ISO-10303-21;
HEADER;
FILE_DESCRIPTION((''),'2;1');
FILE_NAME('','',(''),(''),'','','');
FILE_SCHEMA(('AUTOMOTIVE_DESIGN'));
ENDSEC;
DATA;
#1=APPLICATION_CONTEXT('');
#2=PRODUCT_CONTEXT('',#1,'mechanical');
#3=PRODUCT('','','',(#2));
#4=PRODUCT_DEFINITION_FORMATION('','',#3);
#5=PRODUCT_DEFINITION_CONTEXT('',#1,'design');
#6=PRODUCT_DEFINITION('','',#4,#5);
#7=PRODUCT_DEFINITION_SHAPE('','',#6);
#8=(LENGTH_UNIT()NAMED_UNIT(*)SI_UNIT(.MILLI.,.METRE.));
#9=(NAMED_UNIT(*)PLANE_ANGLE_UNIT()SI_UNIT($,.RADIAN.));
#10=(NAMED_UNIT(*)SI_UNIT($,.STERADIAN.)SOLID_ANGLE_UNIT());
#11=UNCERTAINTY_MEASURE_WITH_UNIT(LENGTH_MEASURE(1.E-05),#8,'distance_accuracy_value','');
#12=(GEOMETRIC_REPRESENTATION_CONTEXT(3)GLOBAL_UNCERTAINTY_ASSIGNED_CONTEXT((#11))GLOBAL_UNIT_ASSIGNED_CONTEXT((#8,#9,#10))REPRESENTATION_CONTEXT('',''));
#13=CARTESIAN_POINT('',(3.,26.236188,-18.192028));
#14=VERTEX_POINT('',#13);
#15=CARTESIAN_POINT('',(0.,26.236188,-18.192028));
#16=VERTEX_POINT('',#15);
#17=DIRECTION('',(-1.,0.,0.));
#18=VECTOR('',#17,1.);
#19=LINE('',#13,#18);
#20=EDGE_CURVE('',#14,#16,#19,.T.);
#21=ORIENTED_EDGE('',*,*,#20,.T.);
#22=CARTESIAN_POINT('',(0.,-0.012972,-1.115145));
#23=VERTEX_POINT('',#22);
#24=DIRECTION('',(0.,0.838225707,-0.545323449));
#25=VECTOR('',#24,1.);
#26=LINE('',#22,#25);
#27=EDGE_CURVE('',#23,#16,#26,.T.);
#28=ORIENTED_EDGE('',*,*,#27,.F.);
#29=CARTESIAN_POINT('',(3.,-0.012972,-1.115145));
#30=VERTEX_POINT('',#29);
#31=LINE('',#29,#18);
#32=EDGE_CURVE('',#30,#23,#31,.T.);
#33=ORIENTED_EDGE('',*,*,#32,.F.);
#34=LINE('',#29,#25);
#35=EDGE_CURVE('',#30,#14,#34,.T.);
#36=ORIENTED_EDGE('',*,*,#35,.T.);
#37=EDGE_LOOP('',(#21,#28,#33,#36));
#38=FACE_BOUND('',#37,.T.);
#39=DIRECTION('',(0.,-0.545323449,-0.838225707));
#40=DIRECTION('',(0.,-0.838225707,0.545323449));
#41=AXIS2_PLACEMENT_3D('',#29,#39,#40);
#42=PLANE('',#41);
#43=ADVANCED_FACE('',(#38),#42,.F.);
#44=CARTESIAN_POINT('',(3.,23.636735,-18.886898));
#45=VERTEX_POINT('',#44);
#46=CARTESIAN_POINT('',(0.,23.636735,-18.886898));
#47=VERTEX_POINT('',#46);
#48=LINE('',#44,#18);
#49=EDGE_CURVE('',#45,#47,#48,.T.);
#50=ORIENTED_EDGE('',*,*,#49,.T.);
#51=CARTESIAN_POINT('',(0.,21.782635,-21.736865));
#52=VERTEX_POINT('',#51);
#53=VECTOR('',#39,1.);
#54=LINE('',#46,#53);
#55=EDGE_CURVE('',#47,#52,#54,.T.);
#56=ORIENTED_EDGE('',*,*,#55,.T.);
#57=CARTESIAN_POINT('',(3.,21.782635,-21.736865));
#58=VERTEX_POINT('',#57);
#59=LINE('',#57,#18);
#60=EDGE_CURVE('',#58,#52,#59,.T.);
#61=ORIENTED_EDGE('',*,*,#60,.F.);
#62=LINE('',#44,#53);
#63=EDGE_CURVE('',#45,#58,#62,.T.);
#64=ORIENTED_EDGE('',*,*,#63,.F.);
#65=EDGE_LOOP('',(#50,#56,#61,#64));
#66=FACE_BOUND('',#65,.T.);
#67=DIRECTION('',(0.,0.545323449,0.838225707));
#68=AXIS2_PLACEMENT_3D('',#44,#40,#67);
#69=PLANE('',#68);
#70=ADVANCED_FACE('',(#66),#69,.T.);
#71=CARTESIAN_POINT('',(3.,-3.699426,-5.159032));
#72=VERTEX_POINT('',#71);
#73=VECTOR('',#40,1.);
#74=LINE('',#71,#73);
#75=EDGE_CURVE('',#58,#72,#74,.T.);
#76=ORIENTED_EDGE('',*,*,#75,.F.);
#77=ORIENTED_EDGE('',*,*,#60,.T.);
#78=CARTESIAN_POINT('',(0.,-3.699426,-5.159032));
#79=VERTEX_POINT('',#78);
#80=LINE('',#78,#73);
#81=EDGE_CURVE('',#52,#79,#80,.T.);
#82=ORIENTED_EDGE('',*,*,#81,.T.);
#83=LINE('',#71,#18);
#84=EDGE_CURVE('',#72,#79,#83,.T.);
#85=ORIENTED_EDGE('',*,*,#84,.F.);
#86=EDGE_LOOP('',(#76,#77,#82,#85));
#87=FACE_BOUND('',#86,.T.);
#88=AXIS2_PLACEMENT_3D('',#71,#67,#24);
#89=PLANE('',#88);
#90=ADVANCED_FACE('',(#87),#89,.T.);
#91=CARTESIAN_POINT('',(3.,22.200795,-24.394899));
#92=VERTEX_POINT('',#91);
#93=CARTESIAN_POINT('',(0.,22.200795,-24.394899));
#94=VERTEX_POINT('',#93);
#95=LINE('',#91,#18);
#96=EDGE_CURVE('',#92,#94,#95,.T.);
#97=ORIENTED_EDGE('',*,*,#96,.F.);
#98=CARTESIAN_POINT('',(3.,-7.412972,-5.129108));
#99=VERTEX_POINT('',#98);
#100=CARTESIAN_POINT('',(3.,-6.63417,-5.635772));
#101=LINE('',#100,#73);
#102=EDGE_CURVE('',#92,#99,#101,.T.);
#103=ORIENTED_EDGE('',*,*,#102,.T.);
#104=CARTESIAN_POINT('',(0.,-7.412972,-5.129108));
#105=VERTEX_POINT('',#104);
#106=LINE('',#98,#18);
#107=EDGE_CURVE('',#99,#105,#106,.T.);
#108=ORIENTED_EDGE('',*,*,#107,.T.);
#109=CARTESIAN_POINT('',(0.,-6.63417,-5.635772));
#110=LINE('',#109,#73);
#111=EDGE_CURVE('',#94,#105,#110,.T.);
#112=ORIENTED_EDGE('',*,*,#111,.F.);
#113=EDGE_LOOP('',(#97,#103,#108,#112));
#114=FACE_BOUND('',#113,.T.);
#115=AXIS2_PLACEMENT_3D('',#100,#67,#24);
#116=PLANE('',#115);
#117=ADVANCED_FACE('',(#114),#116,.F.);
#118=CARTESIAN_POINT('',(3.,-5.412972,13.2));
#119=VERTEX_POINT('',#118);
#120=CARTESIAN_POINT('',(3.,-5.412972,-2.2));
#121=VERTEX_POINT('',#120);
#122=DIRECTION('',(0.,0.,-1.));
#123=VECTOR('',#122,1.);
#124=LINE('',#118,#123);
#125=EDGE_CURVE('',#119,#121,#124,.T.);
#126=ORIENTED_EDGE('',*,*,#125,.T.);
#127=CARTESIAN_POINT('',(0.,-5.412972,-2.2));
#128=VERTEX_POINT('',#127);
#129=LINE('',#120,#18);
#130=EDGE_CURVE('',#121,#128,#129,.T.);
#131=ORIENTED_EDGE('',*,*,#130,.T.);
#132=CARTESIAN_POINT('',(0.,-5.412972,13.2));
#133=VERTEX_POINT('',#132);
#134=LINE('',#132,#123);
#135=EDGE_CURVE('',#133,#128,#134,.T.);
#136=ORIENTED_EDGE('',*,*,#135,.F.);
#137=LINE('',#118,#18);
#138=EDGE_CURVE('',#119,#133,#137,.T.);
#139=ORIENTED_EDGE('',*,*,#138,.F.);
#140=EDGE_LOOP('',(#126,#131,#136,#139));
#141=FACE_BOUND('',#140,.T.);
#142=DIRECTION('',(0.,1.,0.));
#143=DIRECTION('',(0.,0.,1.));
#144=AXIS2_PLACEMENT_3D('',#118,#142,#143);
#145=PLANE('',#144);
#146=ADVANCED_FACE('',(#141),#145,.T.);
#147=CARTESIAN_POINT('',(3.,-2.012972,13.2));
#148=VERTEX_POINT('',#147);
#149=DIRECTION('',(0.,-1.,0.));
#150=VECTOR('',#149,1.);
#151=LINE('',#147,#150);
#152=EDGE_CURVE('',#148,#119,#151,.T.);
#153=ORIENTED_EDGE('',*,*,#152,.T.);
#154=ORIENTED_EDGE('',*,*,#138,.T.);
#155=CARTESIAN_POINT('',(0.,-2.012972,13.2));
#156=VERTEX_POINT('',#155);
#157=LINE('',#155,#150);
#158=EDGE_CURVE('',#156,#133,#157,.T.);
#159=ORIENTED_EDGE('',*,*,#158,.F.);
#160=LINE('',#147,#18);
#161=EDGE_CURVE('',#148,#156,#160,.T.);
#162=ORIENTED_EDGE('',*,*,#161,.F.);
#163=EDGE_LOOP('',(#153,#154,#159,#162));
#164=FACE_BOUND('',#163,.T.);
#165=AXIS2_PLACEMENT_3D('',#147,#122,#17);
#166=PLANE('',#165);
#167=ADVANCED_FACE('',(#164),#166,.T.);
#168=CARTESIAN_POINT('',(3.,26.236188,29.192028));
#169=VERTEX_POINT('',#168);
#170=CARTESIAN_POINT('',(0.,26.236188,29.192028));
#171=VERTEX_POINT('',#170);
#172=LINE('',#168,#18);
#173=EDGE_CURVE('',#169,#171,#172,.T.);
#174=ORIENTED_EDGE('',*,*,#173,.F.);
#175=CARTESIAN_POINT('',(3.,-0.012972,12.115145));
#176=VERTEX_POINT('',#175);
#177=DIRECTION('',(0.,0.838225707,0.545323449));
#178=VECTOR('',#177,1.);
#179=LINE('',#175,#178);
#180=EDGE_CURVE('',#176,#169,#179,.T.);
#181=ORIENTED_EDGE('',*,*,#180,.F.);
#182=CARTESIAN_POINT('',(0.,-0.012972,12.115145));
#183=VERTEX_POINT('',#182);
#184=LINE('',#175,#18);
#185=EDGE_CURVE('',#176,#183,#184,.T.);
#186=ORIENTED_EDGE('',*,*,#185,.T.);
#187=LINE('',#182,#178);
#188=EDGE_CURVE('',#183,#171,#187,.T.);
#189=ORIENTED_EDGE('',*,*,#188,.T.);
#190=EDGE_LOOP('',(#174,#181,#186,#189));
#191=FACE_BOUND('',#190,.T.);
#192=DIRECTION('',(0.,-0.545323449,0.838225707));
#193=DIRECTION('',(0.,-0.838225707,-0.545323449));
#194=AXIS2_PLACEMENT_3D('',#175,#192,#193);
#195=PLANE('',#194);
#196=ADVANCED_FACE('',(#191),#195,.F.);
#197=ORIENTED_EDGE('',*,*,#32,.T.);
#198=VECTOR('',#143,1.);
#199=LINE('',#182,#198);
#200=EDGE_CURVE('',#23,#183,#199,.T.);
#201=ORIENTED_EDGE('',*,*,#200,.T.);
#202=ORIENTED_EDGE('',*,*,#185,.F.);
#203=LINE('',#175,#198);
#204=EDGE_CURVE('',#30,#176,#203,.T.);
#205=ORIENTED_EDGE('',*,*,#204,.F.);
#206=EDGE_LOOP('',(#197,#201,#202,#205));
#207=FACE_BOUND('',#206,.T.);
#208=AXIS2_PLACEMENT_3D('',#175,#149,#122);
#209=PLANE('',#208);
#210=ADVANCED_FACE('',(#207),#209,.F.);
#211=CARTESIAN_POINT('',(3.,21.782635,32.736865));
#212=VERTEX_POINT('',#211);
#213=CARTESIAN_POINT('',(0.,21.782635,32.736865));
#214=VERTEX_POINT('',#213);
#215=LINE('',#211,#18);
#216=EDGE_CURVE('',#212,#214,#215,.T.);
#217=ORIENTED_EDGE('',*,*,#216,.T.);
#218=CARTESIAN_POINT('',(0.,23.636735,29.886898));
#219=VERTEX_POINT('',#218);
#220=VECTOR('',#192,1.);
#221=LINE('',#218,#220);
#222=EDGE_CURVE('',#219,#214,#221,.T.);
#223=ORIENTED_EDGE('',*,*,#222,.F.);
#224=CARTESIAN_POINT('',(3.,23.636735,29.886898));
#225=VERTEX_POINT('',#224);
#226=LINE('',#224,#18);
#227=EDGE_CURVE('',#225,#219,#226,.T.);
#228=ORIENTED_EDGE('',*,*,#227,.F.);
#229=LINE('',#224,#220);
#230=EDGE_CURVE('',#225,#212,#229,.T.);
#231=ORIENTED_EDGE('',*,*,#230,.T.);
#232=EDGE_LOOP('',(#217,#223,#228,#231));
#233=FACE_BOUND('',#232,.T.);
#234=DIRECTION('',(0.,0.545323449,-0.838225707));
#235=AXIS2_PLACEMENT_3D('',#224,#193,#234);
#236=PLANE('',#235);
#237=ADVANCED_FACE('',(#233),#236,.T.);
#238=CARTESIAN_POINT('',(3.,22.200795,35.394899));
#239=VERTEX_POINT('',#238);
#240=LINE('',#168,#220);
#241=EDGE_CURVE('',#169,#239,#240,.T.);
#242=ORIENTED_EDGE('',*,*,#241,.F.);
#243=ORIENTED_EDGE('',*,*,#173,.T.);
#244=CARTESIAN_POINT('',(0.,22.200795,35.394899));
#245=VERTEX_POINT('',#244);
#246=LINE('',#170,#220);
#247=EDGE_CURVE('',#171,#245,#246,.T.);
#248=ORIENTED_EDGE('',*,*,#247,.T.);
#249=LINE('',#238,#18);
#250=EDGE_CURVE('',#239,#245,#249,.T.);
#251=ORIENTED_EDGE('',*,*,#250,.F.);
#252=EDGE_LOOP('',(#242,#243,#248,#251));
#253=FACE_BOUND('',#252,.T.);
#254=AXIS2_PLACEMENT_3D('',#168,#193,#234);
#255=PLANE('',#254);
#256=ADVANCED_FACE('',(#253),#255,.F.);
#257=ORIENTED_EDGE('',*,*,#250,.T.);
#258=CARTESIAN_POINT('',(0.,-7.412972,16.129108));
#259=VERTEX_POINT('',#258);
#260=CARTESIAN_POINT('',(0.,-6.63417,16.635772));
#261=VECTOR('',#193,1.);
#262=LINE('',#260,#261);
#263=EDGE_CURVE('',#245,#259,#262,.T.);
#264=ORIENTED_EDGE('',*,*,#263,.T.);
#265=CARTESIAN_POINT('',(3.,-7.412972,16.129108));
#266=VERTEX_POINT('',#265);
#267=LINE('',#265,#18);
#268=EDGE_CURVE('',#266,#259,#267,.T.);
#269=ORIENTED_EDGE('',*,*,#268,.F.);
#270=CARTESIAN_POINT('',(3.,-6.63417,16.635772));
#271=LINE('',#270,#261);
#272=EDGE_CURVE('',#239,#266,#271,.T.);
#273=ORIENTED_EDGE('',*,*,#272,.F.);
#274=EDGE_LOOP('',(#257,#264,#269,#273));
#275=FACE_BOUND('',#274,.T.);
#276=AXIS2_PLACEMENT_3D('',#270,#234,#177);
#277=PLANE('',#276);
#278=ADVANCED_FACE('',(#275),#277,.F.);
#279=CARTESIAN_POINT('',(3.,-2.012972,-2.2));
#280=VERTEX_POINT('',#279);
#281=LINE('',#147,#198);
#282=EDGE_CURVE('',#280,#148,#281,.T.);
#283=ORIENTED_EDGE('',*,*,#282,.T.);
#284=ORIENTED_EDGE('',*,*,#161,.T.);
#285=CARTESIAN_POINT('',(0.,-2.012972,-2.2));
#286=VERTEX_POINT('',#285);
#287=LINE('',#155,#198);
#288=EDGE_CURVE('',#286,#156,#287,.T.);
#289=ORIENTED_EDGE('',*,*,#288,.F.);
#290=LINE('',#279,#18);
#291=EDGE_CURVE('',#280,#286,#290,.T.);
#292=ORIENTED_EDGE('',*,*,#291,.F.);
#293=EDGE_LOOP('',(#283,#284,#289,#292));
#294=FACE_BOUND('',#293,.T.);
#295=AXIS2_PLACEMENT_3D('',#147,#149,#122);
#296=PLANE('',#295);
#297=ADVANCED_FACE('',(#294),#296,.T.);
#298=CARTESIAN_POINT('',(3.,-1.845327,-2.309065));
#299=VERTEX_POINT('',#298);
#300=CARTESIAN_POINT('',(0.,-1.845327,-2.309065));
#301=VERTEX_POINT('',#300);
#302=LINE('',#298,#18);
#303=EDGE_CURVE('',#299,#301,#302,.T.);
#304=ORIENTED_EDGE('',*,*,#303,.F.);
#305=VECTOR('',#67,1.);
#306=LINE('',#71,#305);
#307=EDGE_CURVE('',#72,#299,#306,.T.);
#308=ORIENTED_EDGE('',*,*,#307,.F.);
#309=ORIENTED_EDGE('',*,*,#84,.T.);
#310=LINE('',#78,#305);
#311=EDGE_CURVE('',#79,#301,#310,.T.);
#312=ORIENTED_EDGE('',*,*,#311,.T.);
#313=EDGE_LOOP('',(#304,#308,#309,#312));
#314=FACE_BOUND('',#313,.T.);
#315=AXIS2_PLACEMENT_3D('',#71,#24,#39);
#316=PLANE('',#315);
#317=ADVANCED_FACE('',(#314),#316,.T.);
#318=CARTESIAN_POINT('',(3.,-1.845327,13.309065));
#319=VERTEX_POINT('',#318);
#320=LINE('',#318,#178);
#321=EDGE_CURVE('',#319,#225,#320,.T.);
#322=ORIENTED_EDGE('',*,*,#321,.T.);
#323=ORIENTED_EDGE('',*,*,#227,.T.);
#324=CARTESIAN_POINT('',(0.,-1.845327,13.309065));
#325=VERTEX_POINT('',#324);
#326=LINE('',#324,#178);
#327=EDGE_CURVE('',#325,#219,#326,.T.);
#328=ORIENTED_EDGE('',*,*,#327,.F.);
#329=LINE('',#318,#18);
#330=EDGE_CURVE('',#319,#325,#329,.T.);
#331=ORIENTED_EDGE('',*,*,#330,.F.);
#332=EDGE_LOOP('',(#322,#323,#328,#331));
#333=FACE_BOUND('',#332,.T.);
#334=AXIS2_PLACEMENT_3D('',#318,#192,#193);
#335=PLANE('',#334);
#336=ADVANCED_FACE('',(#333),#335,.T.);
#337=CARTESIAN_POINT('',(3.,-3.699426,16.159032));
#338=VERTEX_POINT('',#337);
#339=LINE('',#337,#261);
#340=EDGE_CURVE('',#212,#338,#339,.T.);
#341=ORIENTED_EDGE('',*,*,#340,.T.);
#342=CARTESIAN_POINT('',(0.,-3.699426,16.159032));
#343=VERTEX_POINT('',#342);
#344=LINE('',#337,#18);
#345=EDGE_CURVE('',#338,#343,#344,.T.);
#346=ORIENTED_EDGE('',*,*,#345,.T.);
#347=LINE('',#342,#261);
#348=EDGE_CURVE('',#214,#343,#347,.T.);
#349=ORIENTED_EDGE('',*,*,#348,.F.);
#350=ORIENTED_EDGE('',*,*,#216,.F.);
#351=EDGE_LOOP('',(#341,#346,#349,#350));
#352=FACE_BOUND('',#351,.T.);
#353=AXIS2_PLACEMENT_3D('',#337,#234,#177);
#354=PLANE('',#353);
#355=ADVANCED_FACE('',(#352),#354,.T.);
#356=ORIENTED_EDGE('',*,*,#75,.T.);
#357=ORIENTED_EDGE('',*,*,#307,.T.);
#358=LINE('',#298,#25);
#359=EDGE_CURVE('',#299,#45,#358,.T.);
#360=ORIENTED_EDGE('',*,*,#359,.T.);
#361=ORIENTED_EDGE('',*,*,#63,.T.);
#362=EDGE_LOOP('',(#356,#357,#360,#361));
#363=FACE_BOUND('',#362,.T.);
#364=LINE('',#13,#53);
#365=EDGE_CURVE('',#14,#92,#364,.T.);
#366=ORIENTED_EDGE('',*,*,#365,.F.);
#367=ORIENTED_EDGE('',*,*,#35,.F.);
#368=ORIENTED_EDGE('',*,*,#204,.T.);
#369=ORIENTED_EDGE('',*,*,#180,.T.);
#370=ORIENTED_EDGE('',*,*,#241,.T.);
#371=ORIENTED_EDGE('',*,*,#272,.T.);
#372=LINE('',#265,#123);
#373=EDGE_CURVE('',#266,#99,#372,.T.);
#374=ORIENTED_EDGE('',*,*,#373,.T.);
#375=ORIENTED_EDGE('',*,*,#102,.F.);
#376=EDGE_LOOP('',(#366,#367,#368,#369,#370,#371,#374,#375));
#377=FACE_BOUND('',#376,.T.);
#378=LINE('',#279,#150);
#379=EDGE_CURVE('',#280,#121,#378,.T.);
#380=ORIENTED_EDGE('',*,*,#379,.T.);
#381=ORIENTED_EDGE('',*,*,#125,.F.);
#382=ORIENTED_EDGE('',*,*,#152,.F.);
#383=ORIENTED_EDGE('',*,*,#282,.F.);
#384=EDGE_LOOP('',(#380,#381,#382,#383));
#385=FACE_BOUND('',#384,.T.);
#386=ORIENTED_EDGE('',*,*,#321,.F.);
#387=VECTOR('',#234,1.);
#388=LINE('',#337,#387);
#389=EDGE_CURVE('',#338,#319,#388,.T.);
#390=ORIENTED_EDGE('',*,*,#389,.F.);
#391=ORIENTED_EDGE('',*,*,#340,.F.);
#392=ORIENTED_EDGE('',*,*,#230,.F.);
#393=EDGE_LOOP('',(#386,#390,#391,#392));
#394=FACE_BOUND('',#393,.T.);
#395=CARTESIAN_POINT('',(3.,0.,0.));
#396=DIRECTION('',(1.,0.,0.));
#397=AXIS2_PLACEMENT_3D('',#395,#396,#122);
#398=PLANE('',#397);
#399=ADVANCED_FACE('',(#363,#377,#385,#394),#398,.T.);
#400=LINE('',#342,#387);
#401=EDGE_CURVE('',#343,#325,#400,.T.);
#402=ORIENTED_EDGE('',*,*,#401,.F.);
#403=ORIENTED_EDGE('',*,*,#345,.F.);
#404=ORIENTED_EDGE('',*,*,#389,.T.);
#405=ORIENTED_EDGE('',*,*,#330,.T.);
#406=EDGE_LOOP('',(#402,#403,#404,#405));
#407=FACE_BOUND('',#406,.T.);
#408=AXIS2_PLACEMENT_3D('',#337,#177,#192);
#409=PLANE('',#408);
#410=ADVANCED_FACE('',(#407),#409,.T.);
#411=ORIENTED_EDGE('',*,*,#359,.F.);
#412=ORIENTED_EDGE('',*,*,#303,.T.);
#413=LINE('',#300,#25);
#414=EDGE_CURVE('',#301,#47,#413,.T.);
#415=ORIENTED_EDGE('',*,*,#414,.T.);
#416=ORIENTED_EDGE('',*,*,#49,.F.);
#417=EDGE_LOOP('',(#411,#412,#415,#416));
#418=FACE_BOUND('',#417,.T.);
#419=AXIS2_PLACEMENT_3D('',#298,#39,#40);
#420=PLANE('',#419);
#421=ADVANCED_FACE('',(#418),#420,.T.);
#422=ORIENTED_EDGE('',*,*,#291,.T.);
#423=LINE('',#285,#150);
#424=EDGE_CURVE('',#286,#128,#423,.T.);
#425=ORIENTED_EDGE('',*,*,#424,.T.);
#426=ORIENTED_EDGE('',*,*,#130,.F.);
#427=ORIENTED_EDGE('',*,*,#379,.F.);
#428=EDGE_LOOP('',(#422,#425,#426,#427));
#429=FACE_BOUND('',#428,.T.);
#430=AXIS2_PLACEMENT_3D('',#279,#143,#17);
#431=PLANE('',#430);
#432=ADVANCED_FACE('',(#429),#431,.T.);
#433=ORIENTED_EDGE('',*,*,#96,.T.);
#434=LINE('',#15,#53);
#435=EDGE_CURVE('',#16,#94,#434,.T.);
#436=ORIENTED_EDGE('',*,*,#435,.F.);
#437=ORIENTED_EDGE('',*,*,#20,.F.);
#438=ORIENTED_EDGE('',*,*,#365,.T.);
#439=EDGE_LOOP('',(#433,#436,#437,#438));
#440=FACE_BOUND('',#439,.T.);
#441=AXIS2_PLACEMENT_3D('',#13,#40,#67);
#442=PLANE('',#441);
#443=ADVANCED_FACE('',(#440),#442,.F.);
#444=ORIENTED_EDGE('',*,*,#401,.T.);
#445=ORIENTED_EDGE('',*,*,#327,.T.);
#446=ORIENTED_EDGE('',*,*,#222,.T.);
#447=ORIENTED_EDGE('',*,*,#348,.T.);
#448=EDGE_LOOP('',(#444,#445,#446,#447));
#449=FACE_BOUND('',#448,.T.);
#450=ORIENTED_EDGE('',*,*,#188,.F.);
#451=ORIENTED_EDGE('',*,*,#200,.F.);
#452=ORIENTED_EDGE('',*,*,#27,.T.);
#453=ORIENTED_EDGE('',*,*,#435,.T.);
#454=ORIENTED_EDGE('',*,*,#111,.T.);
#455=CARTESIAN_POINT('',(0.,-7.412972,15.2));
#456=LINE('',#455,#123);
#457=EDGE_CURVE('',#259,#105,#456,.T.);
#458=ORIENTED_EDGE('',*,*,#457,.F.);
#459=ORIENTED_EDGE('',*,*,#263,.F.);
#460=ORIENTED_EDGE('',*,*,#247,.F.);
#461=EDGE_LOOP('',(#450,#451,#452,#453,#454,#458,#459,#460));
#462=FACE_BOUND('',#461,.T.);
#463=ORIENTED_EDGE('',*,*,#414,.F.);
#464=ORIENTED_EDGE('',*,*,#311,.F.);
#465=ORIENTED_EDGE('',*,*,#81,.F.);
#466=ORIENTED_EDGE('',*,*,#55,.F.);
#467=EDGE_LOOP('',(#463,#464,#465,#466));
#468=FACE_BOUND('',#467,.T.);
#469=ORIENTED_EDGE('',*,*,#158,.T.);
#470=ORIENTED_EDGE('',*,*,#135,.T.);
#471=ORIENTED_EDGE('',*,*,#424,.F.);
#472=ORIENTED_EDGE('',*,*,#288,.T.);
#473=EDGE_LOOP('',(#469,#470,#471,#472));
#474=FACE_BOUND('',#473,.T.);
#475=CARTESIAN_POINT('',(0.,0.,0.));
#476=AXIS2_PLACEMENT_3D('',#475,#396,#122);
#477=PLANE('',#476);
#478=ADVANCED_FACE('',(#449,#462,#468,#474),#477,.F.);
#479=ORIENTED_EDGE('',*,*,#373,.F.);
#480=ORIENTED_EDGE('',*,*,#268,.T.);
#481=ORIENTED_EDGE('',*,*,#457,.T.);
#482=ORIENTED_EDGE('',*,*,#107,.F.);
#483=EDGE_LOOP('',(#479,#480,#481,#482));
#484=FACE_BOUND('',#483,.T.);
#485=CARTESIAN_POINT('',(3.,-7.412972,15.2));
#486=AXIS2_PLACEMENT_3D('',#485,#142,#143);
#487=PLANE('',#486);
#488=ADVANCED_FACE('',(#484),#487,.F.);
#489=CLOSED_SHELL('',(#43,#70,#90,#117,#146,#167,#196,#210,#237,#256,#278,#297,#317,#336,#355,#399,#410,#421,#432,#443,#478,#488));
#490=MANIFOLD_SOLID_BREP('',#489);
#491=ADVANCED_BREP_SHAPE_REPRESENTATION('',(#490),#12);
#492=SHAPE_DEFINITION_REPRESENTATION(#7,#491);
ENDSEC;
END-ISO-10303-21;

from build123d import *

# Parameters (mm, degrees)
SKETCH1_W           = 26.4
SKETCH1_H           = 3.4
BOSS_EXTRUDE1_DEPTH = 3
CUT_EXTRUDE1_DEPTH  = 3


with BuildPart() as part:
    # Sketch1 → Boss-Extrude1 (new body)
    with BuildSketch(Plane(origin=(0, 0, 0), x_dir=(0, 0, -1), z_dir=(1, 0, 0))):
        Polygon((-29.192028343, 26.236188028), (-35.394898574, 22.200794504), (-16.635771919, -6.634169813), (-16.129107702, -7.412971773), (-15.2, -7.412971773), (15.2, -7.412971773), (15.2, -0.012971773), (-12.115145296, -0.012971773), align=None)
        with Locations((0, -3.712971773)):
            Rectangle(SKETCH1_W, SKETCH1_H, mode=Mode.SUBTRACT)
        Polygon((-13.30906469, -1.845326631), (-29.886897548, 23.636734858), (-32.736864952, 21.78263513), (-16.159032093, -3.699426359), align=None, mode=Mode.SUBTRACT)
    extrude(amount=BOSS_EXTRUDE1_DEPTH)

    # Sketch2 → Cut-Extrude1 (cut)
    with BuildSketch(Plane(origin=(3, 0, 0), x_dir=(0, 0, -1), z_dir=(1, 0, 0))):
        Polygon((15.2, -0.012971773), (-5.5, -0.012971773), (-5.5, -2.012971773), (13.2, -2.012971773), (13.2, -5.412971773), (-5.5, -5.412971773), (-5.5, -7.412971773), (15.2, -7.412971773), align=None)
    extrude(amount=-CUT_EXTRUDE1_DEPTH, mode=Mode.SUBTRACT)

    # Mirror1: part across plane


with BuildPart() as part_1:
    add(part.part)
    add(part.part.mirror(Plane.XY.offset(5.5)))


solid = part_1.part
